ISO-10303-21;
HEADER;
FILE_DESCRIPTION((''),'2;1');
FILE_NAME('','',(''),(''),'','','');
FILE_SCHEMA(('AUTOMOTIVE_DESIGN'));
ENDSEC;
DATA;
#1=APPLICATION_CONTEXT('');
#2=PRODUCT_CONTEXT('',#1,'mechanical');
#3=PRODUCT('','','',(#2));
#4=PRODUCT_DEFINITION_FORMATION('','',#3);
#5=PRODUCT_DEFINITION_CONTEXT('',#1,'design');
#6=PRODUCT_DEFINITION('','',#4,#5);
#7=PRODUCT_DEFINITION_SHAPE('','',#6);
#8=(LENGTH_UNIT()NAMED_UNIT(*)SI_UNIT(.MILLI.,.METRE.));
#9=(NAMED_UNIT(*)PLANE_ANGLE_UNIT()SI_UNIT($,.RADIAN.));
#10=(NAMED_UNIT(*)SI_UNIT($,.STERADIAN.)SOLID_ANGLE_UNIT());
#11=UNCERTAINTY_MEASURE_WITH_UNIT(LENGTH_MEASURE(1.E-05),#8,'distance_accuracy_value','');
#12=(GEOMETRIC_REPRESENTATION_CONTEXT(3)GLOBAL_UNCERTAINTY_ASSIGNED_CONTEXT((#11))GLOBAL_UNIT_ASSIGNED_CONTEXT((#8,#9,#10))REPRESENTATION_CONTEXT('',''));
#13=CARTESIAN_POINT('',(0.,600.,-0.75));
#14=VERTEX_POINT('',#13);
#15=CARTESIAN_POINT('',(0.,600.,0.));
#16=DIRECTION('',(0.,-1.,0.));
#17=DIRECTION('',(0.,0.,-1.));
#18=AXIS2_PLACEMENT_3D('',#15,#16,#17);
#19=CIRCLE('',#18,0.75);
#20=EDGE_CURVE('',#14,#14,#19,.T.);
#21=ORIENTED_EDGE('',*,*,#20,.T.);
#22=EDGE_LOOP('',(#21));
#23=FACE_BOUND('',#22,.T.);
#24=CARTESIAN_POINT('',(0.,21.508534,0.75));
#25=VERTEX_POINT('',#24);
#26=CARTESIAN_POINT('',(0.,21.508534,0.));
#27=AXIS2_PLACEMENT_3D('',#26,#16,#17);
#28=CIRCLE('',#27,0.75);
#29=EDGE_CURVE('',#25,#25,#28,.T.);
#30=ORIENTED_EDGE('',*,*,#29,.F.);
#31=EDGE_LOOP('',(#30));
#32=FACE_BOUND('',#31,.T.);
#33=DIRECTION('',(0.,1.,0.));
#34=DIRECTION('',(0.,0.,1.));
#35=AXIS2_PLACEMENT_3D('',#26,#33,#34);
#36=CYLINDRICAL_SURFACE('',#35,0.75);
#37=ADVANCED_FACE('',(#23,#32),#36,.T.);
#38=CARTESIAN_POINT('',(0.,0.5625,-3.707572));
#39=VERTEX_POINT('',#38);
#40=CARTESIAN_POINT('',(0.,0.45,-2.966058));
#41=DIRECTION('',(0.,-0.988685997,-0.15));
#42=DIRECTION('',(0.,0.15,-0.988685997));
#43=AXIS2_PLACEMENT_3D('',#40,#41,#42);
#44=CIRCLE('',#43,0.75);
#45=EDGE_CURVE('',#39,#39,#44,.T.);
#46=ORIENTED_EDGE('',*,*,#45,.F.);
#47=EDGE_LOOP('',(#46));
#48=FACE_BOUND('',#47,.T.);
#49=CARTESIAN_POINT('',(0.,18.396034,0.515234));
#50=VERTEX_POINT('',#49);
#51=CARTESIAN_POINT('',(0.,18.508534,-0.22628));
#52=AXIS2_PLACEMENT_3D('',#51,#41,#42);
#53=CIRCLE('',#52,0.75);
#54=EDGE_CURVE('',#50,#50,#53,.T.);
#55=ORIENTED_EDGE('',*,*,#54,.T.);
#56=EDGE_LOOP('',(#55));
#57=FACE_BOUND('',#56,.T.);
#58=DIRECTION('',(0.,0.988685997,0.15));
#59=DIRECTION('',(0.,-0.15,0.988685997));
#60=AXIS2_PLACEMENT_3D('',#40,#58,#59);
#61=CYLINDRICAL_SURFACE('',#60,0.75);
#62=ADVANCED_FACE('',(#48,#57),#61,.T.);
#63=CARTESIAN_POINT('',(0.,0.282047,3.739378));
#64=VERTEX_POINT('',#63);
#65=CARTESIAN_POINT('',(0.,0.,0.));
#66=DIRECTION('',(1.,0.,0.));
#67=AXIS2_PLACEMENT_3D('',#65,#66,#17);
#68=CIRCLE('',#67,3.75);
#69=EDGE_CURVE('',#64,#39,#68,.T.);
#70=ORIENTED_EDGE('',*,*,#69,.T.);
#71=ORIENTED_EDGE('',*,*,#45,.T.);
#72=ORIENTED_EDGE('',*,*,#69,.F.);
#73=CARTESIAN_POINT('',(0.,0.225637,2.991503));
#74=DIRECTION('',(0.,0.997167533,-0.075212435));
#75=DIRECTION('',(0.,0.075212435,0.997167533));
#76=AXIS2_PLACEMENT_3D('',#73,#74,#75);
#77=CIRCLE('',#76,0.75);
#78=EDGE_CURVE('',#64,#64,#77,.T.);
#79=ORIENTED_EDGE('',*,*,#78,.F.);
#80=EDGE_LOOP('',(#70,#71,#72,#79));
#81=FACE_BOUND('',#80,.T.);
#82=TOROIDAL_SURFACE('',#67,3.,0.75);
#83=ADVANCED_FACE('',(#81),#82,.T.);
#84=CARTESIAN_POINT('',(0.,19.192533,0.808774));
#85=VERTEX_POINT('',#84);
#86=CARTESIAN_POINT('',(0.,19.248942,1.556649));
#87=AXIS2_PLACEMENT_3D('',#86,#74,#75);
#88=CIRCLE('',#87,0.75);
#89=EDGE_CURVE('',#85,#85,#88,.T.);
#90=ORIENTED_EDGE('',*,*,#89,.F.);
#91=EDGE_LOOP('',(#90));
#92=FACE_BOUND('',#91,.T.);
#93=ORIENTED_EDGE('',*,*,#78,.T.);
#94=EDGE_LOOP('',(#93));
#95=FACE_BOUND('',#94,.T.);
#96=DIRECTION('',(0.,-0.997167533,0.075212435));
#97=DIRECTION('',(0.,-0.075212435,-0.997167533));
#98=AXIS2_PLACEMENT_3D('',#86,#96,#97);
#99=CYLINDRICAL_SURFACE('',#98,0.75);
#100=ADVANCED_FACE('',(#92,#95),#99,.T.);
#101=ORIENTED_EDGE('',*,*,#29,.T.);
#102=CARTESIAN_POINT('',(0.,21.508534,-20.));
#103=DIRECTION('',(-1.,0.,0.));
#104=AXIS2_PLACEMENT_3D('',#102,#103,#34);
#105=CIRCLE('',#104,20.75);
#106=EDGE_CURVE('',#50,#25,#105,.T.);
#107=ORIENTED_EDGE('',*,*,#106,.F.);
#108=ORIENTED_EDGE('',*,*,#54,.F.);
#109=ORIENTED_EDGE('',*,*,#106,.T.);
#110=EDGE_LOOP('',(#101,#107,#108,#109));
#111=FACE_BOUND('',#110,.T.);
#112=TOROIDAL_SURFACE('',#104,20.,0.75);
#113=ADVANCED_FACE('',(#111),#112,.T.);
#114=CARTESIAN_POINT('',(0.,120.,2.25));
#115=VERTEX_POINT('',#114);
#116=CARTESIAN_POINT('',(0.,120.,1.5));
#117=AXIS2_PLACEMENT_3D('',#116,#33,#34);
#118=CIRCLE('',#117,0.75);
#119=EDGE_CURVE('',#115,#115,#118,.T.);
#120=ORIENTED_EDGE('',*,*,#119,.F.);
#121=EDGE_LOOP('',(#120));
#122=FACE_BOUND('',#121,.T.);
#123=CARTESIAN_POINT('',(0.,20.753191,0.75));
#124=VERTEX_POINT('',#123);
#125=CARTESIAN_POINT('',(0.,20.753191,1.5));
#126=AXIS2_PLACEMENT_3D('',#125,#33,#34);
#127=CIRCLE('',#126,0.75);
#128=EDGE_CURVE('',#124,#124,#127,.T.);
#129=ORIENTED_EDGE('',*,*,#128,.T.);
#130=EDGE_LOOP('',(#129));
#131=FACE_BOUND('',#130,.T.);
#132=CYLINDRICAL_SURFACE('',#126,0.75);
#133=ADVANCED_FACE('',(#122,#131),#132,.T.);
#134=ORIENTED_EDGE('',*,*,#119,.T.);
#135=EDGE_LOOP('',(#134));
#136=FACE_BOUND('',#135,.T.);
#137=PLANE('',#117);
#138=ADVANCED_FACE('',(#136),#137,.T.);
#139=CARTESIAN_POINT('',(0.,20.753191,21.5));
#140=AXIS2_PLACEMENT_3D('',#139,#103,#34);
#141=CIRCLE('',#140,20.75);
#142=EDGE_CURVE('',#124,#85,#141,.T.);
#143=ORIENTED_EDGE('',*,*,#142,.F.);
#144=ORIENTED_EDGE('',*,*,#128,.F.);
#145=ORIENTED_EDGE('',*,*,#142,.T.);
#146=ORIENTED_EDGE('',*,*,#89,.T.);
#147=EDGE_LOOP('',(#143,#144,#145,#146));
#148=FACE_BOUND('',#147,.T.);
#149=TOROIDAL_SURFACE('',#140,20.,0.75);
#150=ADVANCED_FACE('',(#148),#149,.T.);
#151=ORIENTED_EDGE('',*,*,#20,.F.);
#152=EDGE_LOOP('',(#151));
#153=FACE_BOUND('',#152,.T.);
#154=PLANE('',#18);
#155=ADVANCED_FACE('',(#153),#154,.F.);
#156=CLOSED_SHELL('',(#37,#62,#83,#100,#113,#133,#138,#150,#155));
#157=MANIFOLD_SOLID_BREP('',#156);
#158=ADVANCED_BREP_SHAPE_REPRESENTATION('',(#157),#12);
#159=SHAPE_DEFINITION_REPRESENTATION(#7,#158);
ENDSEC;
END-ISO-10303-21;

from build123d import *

# Parameters (mm, degrees)
SKETCH2_R = 0.75


with BuildPart() as part:
    # Sweep1: sweep along a path in Sketch1
    with BuildLine(Plane(origin=(0, 0, 0), x_dir=(0, 0, -1), z_dir=(1, 0, 0))) as sweep1_path:
        Line((0, 600), (0, 21.508533778))
        ThreePointArc((0, 21.508533778), (0.056650248, 20.004272941), (0.226280067, 18.508533778))
        Line((0.226280067, 18.508533778), (2.96605799, 0.45))
        ThreePointArc((2.96605799, 0.45), (0.112900451, -2.997874829), (-2.9915026, 0.225637305))
        Line((-2.9915026, 0.225637305), (-1.556649332, 19.248942344))
        ThreePointArc((-1.556649332, 19.248942344), (-1.514167351, 20.000533536), (-1.5, 20.753191044))
        Line((-1.5, 20.753191044), (-1.5, 120))
    # Sketch2 → Sweep1 (sweep)
    with BuildSketch(Plane(origin=(0, 120, 1.5), x_dir=(-1, 0, 0), z_dir=(0, 1, 0))):
        Circle(SKETCH2_R)
    sweep(path=sweep1_path.line)


solid = part.part
